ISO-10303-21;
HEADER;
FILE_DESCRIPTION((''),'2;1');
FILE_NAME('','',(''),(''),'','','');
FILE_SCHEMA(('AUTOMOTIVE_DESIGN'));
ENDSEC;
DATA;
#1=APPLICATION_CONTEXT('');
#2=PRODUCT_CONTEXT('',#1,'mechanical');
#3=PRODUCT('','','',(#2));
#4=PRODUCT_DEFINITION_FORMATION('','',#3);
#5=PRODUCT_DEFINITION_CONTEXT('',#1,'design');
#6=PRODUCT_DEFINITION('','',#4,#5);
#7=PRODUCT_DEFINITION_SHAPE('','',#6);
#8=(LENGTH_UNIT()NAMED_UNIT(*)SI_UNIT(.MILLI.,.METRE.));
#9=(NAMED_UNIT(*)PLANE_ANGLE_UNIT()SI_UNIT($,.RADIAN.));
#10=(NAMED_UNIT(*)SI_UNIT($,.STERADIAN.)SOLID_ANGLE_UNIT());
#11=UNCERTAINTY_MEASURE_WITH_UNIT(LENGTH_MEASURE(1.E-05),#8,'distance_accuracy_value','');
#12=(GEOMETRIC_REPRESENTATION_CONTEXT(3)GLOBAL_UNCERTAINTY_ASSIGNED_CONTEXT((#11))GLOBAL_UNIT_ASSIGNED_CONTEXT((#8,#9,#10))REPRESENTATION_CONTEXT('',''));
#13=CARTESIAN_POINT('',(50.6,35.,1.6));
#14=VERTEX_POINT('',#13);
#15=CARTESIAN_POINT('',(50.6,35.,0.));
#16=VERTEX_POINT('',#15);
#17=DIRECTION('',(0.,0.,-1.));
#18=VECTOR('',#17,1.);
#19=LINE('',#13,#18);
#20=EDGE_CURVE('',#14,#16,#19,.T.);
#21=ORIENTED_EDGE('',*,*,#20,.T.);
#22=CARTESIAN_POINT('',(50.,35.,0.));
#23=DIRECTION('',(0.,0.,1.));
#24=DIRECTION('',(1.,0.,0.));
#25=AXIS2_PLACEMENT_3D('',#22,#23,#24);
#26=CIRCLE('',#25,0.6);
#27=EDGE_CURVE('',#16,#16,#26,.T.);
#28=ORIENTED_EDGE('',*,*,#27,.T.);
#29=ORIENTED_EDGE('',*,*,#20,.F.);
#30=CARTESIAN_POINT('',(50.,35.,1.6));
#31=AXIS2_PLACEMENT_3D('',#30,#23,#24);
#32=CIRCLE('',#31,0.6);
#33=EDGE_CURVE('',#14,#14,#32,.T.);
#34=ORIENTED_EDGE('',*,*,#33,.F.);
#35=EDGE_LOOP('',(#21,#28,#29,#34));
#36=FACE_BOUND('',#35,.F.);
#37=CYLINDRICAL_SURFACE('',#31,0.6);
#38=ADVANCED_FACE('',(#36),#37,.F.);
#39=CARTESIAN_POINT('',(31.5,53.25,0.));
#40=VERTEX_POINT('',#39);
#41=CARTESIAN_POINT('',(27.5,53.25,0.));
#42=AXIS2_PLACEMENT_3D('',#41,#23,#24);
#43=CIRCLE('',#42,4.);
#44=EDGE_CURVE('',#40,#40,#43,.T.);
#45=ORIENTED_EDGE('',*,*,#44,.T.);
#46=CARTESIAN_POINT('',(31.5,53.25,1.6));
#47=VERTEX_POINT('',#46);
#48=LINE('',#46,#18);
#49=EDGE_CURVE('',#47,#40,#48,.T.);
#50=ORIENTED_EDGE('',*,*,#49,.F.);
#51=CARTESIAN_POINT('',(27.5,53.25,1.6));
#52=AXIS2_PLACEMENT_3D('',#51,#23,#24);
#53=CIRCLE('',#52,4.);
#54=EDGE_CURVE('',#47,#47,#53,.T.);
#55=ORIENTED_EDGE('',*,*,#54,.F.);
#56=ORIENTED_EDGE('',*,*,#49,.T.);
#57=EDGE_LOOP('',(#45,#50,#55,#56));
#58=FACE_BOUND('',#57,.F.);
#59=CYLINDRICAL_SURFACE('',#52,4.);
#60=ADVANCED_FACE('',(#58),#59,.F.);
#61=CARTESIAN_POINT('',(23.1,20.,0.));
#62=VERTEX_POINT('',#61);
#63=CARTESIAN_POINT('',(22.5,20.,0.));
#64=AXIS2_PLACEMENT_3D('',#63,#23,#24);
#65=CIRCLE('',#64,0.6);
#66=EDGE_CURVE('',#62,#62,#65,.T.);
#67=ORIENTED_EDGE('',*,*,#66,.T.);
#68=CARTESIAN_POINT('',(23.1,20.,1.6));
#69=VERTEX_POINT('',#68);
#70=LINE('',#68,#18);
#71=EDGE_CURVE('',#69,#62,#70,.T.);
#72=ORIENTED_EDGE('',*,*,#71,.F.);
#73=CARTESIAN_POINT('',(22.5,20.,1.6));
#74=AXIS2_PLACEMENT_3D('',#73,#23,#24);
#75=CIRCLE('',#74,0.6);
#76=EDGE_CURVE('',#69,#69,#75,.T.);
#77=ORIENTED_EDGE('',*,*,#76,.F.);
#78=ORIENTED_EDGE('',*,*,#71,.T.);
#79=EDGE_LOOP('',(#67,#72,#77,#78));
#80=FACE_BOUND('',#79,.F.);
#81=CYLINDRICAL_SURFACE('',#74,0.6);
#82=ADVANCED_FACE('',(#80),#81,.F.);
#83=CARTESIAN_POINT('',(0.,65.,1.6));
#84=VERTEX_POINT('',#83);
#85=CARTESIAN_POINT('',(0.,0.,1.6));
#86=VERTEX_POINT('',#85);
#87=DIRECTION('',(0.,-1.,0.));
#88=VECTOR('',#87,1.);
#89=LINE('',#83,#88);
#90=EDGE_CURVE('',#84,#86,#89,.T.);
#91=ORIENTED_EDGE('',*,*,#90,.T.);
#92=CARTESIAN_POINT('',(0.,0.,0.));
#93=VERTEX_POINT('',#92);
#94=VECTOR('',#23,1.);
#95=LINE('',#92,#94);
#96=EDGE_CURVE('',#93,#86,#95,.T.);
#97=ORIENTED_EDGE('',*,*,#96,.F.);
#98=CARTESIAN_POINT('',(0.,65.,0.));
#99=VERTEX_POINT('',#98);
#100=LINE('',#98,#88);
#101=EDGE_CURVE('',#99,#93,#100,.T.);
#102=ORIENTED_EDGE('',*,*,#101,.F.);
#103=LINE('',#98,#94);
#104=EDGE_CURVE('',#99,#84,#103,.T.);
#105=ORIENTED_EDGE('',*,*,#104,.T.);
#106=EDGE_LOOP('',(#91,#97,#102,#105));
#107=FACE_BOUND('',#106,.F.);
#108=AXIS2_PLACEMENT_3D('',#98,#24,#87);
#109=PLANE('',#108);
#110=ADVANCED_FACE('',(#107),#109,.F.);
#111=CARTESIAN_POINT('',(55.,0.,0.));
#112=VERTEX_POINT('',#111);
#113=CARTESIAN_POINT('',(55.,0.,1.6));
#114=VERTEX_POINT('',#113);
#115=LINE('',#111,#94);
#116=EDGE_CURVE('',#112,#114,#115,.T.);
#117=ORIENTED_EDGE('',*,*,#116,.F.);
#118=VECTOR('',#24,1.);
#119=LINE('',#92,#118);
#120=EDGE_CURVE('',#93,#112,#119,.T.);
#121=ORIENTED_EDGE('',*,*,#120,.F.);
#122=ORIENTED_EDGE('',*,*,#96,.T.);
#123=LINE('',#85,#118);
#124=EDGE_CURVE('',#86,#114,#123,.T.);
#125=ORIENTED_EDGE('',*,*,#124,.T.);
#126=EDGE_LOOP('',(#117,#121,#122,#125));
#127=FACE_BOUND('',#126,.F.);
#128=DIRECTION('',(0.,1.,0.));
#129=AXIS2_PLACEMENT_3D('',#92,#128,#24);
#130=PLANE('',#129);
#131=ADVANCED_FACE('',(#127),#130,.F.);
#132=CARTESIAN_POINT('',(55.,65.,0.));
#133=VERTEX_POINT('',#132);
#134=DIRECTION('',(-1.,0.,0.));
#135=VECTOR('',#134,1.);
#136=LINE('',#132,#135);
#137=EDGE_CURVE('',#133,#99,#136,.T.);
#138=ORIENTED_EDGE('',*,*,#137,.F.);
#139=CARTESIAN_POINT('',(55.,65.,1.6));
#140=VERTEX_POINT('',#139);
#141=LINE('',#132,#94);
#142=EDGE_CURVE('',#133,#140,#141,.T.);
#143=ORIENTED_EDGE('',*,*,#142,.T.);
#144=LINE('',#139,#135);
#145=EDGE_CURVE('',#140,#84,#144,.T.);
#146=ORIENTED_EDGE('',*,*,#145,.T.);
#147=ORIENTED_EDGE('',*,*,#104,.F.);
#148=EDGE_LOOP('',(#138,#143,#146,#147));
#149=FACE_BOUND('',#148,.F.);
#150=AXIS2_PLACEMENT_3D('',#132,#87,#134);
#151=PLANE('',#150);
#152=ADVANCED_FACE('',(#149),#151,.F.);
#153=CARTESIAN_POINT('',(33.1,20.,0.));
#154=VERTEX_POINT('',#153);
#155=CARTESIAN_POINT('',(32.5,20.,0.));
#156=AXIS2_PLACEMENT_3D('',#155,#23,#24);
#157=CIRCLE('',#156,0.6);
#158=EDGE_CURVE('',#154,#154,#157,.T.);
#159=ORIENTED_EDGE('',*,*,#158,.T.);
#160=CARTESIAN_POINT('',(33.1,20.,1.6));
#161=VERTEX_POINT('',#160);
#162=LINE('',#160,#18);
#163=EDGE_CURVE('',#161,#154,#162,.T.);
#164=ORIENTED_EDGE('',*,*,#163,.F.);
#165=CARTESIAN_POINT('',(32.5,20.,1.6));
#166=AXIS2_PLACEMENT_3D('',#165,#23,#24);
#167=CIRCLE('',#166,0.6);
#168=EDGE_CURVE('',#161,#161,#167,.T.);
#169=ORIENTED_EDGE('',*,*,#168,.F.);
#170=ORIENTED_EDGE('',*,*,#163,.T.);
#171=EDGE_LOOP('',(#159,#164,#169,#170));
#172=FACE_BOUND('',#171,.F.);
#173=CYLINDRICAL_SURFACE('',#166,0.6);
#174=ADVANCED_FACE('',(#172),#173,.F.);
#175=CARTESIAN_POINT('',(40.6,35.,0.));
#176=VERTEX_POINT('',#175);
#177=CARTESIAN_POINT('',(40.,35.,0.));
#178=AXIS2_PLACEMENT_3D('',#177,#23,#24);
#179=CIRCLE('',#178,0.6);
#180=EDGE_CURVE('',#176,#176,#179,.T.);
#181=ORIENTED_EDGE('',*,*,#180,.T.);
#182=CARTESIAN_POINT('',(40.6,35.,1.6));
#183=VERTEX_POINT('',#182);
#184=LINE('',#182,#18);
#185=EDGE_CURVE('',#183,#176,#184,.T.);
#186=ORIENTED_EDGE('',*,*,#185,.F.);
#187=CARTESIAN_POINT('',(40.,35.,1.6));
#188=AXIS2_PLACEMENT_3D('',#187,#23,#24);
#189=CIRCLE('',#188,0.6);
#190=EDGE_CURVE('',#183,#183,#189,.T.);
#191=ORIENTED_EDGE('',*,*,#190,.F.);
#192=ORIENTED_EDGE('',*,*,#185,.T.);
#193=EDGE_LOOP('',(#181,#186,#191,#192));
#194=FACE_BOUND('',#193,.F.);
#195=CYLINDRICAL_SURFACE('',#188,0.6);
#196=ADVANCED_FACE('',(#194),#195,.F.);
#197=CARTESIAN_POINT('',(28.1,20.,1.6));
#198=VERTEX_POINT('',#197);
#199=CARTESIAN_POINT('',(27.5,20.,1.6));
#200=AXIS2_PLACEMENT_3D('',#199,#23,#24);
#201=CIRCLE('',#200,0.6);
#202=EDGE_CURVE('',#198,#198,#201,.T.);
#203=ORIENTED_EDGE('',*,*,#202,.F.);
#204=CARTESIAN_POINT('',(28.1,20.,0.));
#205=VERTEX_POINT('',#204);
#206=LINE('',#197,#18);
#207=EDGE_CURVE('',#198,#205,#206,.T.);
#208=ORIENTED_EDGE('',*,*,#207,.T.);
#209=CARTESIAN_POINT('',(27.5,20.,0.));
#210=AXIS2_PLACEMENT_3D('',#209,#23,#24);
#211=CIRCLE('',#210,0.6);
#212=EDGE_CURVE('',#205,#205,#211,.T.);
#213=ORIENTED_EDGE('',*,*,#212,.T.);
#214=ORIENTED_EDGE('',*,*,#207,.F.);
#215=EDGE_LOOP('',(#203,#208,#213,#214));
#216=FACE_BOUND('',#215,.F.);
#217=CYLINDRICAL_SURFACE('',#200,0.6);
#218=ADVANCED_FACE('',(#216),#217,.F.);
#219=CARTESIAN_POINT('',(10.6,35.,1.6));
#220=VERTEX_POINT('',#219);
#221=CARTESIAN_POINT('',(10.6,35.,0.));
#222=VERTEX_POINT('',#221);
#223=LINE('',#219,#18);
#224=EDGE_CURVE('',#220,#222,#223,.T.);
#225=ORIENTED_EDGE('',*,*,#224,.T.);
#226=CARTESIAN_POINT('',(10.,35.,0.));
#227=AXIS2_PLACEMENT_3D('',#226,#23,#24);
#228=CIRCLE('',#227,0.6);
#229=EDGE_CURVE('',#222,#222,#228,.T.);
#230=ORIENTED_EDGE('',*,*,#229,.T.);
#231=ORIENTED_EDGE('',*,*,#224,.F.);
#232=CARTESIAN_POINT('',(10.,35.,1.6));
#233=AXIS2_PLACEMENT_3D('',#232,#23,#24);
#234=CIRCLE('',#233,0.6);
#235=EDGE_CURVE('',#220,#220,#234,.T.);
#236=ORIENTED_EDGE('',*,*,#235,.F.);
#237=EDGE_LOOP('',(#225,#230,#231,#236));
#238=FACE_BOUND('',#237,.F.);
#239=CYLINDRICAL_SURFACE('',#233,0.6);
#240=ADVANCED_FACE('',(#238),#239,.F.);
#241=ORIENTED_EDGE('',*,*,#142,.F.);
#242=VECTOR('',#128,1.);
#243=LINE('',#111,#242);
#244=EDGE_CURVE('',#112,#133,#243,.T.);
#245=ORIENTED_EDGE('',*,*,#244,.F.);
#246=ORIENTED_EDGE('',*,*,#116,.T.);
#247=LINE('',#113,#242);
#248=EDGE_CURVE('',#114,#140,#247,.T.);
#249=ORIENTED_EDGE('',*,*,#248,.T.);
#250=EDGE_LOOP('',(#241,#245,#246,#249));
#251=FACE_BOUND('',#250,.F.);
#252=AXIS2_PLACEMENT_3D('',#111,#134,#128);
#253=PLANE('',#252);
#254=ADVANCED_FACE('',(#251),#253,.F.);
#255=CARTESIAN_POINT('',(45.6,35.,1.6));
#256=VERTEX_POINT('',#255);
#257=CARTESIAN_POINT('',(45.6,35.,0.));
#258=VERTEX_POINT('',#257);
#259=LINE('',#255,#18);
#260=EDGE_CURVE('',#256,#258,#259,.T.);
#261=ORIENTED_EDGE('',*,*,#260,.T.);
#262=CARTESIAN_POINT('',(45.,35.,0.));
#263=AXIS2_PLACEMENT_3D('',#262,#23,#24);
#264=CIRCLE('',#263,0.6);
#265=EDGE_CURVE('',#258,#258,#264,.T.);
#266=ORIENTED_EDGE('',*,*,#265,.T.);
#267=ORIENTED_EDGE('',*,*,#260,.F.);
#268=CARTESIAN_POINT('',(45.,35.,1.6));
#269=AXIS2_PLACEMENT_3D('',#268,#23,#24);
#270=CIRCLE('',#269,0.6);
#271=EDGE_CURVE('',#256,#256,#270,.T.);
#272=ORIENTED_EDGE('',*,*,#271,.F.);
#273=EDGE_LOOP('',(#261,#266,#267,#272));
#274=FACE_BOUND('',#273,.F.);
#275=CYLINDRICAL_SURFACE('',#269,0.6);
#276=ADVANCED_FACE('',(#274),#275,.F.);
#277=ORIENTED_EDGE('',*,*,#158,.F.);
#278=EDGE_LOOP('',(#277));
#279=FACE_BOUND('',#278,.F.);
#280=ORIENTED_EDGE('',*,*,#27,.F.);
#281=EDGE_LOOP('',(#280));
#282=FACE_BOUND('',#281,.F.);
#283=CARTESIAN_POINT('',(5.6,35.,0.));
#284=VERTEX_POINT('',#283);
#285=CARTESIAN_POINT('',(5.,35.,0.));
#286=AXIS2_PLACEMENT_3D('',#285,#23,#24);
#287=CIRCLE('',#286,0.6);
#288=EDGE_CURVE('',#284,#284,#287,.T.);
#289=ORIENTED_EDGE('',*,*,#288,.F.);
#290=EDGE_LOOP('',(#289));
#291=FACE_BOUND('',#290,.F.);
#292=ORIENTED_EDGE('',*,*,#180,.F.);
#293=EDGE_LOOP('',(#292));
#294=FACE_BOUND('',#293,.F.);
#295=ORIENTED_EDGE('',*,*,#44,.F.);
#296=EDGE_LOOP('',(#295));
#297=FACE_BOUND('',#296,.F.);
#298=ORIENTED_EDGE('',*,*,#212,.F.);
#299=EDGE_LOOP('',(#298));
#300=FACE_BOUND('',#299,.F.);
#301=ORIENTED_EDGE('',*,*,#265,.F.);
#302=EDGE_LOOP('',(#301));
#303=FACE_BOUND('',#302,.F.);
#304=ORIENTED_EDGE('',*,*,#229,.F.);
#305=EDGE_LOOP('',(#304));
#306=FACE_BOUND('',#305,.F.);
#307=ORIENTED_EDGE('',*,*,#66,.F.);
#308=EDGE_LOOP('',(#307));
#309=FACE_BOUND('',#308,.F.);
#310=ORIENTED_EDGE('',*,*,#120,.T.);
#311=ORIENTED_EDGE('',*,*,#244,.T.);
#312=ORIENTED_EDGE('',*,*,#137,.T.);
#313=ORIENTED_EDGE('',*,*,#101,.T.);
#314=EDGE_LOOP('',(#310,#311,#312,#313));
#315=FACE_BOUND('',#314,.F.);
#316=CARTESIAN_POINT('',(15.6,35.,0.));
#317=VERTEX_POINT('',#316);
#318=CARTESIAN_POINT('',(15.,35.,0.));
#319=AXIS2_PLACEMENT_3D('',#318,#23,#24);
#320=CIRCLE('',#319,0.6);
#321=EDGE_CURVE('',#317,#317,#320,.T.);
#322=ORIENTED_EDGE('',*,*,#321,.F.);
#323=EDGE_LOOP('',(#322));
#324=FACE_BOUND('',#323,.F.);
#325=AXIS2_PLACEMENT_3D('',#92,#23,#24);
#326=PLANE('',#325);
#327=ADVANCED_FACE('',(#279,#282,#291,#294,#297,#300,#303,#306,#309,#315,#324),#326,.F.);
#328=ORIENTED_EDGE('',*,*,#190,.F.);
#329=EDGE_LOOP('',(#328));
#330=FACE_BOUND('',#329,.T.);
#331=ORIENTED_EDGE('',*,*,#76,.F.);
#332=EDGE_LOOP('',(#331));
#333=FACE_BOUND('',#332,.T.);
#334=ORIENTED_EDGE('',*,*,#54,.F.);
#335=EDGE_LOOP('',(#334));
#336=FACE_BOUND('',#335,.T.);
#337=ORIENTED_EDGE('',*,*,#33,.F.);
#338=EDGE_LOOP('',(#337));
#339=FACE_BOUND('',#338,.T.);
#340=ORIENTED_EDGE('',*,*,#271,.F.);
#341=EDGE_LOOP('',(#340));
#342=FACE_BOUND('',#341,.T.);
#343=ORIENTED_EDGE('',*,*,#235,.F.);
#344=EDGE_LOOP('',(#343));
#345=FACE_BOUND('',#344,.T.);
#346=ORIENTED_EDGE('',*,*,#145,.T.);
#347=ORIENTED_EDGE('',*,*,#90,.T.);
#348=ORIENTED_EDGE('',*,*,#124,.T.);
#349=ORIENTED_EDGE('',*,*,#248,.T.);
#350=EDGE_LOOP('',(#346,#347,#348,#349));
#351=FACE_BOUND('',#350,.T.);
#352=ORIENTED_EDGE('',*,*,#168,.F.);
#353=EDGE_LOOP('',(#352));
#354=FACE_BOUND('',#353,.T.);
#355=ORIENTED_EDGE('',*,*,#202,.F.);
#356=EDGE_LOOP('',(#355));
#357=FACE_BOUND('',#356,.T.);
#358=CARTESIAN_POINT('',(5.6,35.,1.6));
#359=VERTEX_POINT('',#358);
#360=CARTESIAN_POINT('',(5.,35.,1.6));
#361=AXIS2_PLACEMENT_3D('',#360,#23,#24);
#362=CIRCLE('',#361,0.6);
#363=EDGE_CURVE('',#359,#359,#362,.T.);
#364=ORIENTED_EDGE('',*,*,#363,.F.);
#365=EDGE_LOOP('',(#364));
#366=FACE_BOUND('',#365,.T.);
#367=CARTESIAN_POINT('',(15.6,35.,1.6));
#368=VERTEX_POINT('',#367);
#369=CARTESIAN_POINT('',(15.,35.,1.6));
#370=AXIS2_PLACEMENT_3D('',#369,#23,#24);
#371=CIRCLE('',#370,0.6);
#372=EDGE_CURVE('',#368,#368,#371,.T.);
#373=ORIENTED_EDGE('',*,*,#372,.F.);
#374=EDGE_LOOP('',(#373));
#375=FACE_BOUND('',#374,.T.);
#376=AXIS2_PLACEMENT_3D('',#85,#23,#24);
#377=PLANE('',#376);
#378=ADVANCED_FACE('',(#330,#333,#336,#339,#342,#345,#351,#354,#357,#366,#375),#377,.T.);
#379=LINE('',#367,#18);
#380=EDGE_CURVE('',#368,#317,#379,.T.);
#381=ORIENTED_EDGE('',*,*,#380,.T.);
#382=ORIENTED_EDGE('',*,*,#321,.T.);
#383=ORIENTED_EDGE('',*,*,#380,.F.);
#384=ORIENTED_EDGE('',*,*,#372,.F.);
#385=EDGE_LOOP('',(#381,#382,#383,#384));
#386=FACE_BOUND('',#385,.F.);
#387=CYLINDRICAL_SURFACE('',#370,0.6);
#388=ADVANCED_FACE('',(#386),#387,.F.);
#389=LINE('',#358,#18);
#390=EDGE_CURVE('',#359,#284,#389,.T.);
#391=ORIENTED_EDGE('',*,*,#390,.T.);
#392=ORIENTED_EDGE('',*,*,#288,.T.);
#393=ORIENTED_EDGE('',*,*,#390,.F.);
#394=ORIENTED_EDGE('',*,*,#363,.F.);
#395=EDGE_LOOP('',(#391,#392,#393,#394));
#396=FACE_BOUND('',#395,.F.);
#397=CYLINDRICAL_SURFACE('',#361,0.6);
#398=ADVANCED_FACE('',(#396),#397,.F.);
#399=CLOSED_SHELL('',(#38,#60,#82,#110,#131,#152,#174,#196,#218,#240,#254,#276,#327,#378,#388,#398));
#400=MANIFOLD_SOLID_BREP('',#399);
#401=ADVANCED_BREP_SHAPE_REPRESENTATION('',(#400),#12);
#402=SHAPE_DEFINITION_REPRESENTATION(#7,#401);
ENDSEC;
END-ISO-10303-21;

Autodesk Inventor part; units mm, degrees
ref_plane "YZ Plane" through (0, 0, 0) normal (1, 0, 0) x (0, 1, 0)
ref_plane "XZ Plane" through (0, 0, 0) normal (0, 1, 0) x (-1, 0, 0)
ref_plane "XY Plane" through (0, 0, 0) normal (0, 0, 1) x (1, 0, 0)
sketch "Szkic1" plane through (0, 0, 0) normal (0, 0, 1) x (1, 0, 0)
  line L0 (0, 0) -> (55, 0)
  line L1 (55, 0) -> (55, 65)
  line L2 (55, 65) -> (0, 65)
  line L3 (0, 65) -> (0, 0)
  dimension "d0" = 55
  dimension "d1" = 65
extrude "Wyciągnięcie proste1" add sketch "Szkic1" along normal blind 1.6
sketch "Szkic2" plane through (0, 0, 1.6) normal (0, 0, 1) x (1, 0, 0)
  circle A0 centre (50, 35) radius 0.6
  circle A1 centre (45, 35) radius 0.6
  circle A2 centre (40, 35) radius 0.6
  circle A3 centre (32.5, 20) radius 0.6
  circle A4 centre (27.5, 20) radius 0.6
  circle A5 centre (22.5, 20) radius 0.6
  circle A6 centre (15, 35) radius 0.6
  circle A7 centre (10, 35) radius 0.6
  circle A8 centre (5, 35) radius 0.6
  line L0 (55, 65) -> (0, 65) projected
  point P0 (0, 0)
  point P1 (27.5, 65)
  dimension "d4" = 15
  dimension "d5" = 5
  dimension "d6" = 5
  dimension "d7" = 5
  dimension "d8" = 5
  dimension "d9" = 5
  dimension "d10" = 5
  dimension "d11" = 30
  dimension "d12" = 17.5
  dimension "d13" = 17.5
  dimension "d14" = 1.2
extrude "Wyciągnięcie proste2" cut sketch "Szkic2" against normal blind 1.6
sketch "Szkic3" plane through (0, 0, 1.6) normal (0, 0, 1) x (1, 0, 0)
  circle A0 centre (27.5, 53.25) radius 4 projected
  point P0 (0, 0)
extrude "Wyciągnięcie proste3" cut sketch "Szkic3" against normal blind 1.6
equation "\"d6\" = d5"
equation "\"d7\" = d6"
equation "\"d8\" = d7"
equation "\"d9\" = d8"
equation "\"d10\" = d9"
equation "\"d13\" = d12"
properties part number "pcb main"
